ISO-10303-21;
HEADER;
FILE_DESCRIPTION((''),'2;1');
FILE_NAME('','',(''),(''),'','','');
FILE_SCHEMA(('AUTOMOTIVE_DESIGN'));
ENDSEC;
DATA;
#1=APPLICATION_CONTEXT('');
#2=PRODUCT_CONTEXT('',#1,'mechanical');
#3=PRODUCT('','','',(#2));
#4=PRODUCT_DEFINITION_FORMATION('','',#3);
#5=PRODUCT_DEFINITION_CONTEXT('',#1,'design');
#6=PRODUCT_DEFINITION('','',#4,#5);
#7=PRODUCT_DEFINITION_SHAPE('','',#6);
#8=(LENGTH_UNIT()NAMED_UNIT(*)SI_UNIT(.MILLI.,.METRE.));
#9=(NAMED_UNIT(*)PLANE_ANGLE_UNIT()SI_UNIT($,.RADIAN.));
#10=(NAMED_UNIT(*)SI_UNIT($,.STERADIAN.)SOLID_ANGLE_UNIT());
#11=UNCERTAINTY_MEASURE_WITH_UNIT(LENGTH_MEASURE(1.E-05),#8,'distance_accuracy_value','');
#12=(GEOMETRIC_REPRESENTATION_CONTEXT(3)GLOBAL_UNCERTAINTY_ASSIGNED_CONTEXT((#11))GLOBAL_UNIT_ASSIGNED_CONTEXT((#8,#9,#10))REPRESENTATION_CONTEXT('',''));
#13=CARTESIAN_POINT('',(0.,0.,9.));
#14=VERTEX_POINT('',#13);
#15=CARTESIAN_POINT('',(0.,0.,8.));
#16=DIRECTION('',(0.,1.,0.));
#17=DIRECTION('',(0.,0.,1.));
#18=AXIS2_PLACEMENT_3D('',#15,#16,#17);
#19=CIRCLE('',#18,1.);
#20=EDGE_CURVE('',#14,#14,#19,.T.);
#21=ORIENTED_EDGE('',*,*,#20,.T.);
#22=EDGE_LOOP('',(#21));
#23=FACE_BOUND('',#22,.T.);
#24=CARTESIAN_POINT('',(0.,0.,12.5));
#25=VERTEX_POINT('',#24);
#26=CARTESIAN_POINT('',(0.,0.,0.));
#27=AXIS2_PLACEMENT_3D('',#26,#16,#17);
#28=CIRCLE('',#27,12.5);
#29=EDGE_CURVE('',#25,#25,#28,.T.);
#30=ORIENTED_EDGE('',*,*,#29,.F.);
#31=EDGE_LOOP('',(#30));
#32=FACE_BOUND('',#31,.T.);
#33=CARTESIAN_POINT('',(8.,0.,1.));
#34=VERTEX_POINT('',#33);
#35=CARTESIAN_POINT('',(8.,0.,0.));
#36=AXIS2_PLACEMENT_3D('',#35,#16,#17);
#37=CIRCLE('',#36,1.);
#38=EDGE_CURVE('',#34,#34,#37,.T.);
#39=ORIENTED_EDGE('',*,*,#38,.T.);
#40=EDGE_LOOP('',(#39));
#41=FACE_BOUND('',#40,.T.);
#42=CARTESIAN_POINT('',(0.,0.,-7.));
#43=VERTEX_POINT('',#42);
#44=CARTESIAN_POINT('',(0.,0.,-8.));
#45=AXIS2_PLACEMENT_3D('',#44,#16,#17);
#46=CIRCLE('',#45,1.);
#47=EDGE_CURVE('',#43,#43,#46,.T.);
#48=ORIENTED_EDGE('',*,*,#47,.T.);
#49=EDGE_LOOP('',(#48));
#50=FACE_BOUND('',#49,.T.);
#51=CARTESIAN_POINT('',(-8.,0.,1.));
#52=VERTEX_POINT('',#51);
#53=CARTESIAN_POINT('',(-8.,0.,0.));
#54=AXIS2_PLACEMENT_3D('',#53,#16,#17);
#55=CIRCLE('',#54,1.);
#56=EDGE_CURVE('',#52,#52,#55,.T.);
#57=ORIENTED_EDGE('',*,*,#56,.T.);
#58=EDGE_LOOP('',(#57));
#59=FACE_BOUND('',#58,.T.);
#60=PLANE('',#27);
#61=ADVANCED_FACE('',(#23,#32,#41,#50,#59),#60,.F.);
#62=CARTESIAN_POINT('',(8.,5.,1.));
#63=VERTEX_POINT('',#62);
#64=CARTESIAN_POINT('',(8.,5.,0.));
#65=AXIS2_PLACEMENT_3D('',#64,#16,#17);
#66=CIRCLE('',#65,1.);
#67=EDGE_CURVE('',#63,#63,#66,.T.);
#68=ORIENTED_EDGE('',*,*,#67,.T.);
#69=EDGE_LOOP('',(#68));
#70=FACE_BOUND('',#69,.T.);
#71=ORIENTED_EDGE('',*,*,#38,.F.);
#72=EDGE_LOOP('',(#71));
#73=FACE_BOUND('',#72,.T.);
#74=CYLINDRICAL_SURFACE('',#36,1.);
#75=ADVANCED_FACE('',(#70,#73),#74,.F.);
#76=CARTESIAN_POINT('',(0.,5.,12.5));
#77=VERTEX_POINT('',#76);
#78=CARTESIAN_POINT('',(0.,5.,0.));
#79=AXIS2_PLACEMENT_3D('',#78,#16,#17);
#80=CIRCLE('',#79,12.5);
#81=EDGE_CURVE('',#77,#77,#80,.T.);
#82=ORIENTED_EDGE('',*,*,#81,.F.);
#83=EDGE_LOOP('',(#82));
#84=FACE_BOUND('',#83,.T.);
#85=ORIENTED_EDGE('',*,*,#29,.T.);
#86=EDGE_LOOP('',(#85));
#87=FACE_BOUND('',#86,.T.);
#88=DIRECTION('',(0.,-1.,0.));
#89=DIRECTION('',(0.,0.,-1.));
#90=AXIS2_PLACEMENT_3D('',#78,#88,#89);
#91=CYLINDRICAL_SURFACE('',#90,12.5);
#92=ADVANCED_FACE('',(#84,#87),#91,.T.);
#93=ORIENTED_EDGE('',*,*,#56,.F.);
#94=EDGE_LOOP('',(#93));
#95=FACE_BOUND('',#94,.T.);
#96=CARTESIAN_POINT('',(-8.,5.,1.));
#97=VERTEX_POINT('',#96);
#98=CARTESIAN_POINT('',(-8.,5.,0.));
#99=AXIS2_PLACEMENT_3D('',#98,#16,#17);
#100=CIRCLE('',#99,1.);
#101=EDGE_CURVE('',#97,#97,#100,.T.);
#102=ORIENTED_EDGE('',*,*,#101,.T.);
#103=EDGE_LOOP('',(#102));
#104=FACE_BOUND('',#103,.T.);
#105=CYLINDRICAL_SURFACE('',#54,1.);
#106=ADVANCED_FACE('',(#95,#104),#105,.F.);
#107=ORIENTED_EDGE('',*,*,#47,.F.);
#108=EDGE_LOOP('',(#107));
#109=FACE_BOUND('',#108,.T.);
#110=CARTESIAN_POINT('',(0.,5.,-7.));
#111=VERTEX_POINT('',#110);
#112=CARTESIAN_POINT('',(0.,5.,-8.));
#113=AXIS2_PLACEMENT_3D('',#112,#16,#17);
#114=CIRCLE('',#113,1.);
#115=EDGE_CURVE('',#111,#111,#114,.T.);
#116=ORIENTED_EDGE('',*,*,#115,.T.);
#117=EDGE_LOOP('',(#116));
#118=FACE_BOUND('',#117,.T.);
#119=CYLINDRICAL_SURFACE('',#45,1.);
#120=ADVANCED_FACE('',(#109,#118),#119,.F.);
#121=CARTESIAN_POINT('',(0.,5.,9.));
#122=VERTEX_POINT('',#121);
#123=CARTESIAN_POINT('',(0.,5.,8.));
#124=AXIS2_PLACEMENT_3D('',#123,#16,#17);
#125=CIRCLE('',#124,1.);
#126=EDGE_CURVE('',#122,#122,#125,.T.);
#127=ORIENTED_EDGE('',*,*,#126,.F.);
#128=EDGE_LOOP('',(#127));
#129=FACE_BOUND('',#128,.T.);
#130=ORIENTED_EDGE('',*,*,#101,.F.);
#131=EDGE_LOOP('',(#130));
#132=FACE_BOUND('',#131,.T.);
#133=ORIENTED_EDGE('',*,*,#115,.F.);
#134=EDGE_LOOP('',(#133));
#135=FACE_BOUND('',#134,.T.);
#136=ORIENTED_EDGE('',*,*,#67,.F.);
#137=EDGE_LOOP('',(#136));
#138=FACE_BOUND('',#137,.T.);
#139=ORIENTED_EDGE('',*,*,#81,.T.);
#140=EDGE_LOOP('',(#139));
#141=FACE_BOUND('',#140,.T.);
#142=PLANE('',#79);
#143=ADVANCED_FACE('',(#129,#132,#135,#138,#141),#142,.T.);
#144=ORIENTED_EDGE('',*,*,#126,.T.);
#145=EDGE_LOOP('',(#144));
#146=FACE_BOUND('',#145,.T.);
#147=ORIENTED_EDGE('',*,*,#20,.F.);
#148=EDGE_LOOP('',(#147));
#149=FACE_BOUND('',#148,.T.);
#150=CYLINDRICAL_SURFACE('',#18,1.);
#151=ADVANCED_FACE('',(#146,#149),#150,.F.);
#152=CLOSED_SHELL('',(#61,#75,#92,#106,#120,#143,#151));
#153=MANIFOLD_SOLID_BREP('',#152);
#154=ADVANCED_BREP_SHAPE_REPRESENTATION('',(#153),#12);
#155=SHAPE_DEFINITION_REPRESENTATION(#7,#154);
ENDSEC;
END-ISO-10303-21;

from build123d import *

# Parameters (mm, degrees)
SKETCH1_R           = 12.5
BOSS_EXTRUDE1_DEPTH = 5
SKETCH2_R           = 1
CUT_EXTRUDE1_DEPTH  = 19.371173071


with BuildPart() as part:
    # Sketch1 → Boss-Extrude1 (new body)
    with BuildSketch(Plane(origin=(0, 0, 0), x_dir=(1, 0, 0), z_dir=(0, 1, 0))):
        with Locations(Location((0, 0, 0), (0, 0, 270))):
            Circle(SKETCH1_R)
    extrude(amount=BOSS_EXTRUDE1_DEPTH)

    # Sketch2 → Cut-Extrude1 (cut, through all)
    with BuildSketch(Plane(origin=(0, 5, 0), x_dir=(1, 0, 0), z_dir=(0, 1, 0))):
        with Locations(Location((0, 8, 0), (0, 0, 270))):
            Circle(SKETCH2_R)
        with Locations(Location((8, 0, 0), (0, 0, 270))):
            Circle(SKETCH2_R)
        with Locations(Location((0, -8, 0), (0, 0, 270))):
            Circle(SKETCH2_R)
        with Locations(Location((-8, 0, 0), (0, 0, 270))):
            Circle(SKETCH2_R)
    extrude(amount=-CUT_EXTRUDE1_DEPTH, mode=Mode.SUBTRACT)


solid = part.part
